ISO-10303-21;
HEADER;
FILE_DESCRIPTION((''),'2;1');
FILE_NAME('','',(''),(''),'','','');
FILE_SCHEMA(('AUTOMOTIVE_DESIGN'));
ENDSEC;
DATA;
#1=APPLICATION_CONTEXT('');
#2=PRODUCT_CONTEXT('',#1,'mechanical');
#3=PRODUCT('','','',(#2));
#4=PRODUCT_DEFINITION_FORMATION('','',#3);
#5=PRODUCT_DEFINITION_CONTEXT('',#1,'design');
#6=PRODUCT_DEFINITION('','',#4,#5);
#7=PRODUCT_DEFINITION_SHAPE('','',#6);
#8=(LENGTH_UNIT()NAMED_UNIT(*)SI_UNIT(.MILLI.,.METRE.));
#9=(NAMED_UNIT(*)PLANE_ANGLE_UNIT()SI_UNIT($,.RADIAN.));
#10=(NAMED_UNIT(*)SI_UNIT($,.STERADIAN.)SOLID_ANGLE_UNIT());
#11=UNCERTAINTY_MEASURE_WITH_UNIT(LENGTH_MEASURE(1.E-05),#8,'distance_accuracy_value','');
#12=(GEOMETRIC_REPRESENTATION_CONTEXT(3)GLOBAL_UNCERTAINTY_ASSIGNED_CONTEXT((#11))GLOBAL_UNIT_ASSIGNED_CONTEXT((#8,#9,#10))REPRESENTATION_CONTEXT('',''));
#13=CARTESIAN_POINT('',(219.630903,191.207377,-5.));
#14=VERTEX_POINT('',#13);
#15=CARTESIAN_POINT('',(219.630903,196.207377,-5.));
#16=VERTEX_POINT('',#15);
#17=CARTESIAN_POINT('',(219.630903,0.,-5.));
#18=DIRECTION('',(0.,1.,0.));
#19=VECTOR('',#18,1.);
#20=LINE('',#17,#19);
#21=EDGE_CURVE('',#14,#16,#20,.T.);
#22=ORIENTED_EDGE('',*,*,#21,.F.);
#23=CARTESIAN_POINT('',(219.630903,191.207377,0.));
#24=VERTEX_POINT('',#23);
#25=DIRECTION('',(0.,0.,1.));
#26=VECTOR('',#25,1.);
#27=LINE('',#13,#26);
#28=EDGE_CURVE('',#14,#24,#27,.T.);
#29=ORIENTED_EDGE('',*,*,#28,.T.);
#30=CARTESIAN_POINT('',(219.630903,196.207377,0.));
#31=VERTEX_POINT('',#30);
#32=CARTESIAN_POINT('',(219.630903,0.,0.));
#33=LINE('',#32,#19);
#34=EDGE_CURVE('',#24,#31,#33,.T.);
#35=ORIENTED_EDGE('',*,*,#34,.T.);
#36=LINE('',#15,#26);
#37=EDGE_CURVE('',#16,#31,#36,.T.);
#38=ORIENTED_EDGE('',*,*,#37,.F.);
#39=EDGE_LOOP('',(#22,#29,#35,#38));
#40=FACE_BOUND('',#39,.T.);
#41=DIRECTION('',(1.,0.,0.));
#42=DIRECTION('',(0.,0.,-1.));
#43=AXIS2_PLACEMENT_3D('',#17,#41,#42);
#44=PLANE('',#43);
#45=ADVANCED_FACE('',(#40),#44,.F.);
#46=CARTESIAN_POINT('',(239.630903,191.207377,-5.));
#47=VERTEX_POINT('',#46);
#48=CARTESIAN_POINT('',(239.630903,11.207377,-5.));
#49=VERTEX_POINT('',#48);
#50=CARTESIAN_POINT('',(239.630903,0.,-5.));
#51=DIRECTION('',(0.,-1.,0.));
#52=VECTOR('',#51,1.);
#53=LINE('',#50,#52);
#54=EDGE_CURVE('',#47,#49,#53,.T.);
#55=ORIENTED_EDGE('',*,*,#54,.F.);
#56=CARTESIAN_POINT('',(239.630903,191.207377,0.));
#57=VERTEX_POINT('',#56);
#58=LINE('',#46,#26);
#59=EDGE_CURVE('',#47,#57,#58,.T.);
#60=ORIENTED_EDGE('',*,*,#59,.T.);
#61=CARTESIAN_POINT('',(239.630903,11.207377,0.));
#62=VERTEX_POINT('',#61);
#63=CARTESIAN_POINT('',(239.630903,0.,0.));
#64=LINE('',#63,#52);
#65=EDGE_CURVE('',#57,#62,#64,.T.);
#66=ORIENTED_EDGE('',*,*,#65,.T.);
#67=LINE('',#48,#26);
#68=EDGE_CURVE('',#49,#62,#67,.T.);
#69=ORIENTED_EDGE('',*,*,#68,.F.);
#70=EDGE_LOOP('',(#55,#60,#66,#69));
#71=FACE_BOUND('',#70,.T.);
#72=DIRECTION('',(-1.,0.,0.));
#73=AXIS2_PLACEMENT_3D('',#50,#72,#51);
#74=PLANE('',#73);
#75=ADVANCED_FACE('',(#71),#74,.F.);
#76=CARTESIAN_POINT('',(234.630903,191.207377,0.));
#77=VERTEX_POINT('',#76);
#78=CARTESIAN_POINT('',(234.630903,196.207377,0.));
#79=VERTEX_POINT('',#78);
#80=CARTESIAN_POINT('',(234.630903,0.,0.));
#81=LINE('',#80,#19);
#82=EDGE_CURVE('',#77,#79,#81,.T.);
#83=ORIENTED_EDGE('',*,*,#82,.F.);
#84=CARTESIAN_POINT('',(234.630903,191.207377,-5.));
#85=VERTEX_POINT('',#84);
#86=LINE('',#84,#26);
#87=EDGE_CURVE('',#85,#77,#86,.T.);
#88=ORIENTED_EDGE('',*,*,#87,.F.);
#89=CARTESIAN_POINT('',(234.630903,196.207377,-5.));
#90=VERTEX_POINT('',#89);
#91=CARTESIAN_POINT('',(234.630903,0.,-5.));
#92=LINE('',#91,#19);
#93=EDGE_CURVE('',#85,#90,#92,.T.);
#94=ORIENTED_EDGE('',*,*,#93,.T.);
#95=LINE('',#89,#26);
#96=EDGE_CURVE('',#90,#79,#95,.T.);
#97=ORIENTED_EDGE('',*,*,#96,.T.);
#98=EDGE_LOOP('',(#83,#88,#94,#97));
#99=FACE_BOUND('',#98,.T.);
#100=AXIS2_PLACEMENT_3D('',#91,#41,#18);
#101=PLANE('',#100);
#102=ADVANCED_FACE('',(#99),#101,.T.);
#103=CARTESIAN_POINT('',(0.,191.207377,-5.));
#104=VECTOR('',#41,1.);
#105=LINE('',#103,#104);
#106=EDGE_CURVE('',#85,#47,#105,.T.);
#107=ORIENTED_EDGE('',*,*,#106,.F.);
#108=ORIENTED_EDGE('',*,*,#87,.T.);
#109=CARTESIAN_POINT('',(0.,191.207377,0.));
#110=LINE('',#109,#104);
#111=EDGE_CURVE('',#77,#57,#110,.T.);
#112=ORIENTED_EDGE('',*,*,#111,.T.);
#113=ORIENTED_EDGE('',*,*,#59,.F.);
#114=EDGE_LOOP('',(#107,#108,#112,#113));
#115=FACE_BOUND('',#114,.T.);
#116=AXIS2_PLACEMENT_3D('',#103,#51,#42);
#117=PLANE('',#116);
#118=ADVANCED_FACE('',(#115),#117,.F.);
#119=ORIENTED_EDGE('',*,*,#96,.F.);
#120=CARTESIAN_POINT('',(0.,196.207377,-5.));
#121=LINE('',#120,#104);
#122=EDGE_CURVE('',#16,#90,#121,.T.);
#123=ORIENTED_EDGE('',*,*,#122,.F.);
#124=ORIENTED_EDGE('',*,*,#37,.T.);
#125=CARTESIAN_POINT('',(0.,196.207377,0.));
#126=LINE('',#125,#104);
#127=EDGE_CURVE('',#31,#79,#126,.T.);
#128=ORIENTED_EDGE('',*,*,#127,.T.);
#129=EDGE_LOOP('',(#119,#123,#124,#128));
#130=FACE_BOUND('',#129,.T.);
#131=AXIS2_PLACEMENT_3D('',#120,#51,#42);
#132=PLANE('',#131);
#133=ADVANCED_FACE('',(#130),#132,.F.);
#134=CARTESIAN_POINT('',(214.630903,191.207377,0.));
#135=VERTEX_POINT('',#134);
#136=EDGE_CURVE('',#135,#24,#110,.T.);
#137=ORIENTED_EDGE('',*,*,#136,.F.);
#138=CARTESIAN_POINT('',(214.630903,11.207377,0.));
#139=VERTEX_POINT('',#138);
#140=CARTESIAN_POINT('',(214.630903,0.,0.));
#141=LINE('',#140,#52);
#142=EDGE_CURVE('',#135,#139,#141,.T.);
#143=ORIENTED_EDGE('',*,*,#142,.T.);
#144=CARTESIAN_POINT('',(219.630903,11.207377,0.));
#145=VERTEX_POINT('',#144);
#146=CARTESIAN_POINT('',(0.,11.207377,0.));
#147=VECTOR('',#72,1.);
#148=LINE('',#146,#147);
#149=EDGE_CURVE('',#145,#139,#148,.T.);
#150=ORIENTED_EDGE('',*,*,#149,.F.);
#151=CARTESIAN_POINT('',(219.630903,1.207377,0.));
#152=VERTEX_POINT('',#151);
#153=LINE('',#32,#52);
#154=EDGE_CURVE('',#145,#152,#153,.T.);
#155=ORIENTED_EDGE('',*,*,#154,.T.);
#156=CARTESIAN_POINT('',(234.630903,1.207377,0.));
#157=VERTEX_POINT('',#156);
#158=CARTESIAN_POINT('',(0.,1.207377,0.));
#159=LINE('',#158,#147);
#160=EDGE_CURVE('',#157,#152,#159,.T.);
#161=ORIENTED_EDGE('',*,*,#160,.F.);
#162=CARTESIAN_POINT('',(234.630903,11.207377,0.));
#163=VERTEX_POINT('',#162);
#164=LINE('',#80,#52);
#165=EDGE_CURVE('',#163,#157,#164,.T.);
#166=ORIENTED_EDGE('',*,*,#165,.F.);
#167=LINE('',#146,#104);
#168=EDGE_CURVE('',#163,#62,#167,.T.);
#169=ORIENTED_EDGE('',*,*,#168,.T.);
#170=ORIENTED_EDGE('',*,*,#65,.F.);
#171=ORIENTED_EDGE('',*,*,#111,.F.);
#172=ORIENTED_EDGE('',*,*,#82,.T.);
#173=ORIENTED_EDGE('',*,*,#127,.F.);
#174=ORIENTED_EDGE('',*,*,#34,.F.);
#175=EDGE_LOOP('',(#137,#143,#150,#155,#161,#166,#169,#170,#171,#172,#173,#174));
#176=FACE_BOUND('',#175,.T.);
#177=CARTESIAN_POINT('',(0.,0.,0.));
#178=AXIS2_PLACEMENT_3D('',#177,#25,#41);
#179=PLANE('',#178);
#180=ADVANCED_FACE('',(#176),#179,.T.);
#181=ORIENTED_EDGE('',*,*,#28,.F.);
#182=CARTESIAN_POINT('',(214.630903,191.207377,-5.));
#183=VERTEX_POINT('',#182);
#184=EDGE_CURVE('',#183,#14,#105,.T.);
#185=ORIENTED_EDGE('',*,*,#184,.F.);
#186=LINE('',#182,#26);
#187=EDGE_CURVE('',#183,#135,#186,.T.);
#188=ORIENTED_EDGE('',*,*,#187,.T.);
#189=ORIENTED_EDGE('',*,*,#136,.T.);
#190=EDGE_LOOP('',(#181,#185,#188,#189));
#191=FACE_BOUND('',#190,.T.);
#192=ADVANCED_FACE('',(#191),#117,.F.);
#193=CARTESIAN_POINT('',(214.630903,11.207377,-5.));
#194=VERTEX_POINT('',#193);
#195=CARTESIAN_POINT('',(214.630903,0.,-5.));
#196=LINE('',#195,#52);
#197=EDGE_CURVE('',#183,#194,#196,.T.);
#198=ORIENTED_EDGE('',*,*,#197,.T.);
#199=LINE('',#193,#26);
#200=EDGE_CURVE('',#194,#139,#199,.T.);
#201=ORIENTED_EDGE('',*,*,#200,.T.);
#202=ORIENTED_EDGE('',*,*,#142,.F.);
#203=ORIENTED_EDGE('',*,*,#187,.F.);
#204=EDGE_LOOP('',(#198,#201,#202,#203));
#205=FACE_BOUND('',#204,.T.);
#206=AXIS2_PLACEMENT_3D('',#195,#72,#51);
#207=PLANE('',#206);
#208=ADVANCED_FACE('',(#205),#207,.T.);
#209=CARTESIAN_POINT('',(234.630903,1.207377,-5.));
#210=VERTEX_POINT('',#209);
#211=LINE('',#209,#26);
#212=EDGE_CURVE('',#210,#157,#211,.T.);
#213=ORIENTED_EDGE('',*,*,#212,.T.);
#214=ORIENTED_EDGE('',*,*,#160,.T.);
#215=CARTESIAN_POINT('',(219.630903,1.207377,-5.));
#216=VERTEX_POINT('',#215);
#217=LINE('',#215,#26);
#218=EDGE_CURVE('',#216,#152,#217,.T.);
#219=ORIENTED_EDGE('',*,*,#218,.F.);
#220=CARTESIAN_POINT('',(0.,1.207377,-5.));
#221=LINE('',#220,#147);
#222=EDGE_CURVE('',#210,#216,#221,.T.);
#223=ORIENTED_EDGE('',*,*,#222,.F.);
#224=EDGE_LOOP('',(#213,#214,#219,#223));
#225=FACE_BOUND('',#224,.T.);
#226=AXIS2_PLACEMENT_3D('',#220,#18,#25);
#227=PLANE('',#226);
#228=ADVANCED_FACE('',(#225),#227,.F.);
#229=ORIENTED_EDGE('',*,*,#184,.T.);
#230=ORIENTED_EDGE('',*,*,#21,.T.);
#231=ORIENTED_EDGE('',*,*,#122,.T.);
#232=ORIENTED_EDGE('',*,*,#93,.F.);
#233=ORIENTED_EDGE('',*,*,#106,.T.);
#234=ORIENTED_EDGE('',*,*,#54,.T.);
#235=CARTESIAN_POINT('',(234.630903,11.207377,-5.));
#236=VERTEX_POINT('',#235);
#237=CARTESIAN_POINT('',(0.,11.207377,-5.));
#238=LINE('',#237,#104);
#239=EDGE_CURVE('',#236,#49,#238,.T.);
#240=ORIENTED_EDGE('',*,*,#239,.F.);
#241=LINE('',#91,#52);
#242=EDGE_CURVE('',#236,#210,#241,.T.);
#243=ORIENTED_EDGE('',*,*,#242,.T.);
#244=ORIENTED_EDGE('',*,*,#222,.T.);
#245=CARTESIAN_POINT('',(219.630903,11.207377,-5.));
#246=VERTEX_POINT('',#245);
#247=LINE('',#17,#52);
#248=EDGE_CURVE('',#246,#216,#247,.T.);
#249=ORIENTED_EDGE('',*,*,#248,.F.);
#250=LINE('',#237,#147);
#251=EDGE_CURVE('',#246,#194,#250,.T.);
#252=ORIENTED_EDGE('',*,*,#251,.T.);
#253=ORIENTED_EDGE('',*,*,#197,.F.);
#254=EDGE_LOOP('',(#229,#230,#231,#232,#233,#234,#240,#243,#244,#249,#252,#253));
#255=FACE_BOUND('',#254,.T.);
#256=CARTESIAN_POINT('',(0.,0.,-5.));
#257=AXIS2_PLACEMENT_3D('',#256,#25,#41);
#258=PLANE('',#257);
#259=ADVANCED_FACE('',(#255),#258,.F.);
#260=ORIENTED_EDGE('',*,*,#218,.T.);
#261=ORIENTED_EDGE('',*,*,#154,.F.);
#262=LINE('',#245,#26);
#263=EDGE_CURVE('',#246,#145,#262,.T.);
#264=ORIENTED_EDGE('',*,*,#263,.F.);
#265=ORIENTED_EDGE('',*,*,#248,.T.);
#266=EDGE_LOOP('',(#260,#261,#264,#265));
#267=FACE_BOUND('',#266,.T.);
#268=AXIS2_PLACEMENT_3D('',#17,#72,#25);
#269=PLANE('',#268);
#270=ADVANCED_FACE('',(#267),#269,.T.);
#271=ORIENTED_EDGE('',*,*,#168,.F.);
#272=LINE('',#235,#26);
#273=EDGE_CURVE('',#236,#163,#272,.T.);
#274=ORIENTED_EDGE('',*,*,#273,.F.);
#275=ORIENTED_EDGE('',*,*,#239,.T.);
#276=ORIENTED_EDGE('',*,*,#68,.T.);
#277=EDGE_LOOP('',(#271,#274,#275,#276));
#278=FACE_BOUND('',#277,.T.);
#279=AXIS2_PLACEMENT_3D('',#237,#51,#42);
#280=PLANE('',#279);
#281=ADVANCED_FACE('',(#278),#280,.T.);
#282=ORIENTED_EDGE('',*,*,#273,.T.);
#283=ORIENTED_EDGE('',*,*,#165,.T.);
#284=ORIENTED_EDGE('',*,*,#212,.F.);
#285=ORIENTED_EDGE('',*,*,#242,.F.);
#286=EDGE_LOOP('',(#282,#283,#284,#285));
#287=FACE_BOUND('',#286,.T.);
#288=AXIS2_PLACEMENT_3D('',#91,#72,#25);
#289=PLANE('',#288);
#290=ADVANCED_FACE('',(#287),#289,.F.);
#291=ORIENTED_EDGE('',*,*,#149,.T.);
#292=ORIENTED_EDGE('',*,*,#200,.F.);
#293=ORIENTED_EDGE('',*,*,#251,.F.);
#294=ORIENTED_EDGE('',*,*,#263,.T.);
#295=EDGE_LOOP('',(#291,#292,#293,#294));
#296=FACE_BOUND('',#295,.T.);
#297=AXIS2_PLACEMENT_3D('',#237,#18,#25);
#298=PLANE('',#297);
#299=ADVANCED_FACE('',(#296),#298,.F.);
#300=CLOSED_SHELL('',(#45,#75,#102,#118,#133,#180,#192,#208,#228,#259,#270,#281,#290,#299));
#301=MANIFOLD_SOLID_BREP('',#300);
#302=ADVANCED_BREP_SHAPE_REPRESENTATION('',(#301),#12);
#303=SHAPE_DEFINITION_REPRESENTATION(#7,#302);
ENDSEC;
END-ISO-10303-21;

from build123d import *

# Parameters (mm, degrees)
BOSS_EXTRUDE1_DEPTH = 5


with BuildPart() as part:
    # Sketch1 → Boss-Extrude1 (new body)
    with BuildSketch(Plane.XY):
        Polygon((214.630903417, 191.207377047), (214.630903417, 11.207377047), (219.630903417, 11.207377047), (219.630903417, 1.207377047), (234.630903417, 1.207377047), (234.630903417, 11.207377047), (239.630903417, 11.207377047), (239.630903417, 191.207377047), (234.630903417, 191.207377047), (234.630903417, 196.207377047), (219.630903417, 196.207377047), (219.630903417, 191.207377047), align=None)
    extrude(amount=-BOSS_EXTRUDE1_DEPTH)


solid = part.part
